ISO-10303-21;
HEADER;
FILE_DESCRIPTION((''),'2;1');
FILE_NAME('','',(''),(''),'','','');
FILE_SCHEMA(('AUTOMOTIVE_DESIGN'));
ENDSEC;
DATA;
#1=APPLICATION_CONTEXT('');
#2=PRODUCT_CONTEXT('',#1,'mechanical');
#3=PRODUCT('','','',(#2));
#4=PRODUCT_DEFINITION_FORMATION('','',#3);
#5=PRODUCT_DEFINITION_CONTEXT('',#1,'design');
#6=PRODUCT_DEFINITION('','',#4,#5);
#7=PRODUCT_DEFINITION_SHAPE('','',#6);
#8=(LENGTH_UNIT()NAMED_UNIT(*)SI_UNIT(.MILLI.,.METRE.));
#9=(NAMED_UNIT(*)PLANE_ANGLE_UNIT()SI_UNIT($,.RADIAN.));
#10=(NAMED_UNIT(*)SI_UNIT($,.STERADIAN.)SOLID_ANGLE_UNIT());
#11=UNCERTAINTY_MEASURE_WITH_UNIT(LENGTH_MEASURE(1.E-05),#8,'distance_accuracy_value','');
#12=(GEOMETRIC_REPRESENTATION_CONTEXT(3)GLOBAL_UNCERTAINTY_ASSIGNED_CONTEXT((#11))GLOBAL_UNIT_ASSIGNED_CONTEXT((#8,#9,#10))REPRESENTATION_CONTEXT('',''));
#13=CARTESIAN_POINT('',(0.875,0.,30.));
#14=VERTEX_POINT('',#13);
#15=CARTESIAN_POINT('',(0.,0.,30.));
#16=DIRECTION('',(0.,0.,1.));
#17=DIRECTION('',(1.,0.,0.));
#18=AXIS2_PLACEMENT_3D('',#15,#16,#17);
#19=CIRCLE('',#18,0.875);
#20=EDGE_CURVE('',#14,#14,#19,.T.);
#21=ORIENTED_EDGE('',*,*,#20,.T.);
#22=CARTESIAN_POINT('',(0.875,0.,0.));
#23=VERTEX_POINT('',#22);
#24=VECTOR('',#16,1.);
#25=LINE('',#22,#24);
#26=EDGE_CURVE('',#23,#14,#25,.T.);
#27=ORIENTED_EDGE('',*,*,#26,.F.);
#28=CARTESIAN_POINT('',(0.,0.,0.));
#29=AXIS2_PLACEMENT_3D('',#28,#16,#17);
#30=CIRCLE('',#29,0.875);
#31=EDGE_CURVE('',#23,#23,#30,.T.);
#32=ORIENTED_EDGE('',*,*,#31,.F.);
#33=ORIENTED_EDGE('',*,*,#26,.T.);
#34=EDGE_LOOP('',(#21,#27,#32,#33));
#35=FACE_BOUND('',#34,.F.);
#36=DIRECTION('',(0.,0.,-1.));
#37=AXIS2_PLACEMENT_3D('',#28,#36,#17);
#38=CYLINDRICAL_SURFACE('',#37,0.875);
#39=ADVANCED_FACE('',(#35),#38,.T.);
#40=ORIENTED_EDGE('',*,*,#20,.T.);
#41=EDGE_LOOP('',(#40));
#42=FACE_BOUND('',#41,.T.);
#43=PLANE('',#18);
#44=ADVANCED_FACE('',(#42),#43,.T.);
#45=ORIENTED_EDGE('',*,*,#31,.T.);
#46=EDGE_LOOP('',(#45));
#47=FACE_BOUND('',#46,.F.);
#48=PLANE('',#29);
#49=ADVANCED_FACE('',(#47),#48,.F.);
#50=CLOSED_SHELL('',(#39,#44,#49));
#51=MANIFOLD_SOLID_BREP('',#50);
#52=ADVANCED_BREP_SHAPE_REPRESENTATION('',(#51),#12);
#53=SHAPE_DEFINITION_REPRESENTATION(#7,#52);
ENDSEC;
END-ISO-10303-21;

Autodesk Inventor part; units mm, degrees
ref_plane "YZ Plane" through (0, 0, 0) normal (1, 0, 0) x (0, 1, 0)
ref_plane "XZ Plane" through (0, 0, 0) normal (0, 1, 0) x (-1, 0, 0)
ref_plane "XY Plane" through (0, 0, 0) normal (0, 0, 1) x (1, 0, 0)
sketch "Sketch1" plane through (0, 0, 0) normal (0, 0, 1) x (1, 0, 0)
  circle A0 centre (0, 0) radius 0.875
  dimension "d0" = 1.75
extrude "Extrusion1" add sketch "Sketch1" along normal blind 30
properties part number "1.75mm_Filament"
